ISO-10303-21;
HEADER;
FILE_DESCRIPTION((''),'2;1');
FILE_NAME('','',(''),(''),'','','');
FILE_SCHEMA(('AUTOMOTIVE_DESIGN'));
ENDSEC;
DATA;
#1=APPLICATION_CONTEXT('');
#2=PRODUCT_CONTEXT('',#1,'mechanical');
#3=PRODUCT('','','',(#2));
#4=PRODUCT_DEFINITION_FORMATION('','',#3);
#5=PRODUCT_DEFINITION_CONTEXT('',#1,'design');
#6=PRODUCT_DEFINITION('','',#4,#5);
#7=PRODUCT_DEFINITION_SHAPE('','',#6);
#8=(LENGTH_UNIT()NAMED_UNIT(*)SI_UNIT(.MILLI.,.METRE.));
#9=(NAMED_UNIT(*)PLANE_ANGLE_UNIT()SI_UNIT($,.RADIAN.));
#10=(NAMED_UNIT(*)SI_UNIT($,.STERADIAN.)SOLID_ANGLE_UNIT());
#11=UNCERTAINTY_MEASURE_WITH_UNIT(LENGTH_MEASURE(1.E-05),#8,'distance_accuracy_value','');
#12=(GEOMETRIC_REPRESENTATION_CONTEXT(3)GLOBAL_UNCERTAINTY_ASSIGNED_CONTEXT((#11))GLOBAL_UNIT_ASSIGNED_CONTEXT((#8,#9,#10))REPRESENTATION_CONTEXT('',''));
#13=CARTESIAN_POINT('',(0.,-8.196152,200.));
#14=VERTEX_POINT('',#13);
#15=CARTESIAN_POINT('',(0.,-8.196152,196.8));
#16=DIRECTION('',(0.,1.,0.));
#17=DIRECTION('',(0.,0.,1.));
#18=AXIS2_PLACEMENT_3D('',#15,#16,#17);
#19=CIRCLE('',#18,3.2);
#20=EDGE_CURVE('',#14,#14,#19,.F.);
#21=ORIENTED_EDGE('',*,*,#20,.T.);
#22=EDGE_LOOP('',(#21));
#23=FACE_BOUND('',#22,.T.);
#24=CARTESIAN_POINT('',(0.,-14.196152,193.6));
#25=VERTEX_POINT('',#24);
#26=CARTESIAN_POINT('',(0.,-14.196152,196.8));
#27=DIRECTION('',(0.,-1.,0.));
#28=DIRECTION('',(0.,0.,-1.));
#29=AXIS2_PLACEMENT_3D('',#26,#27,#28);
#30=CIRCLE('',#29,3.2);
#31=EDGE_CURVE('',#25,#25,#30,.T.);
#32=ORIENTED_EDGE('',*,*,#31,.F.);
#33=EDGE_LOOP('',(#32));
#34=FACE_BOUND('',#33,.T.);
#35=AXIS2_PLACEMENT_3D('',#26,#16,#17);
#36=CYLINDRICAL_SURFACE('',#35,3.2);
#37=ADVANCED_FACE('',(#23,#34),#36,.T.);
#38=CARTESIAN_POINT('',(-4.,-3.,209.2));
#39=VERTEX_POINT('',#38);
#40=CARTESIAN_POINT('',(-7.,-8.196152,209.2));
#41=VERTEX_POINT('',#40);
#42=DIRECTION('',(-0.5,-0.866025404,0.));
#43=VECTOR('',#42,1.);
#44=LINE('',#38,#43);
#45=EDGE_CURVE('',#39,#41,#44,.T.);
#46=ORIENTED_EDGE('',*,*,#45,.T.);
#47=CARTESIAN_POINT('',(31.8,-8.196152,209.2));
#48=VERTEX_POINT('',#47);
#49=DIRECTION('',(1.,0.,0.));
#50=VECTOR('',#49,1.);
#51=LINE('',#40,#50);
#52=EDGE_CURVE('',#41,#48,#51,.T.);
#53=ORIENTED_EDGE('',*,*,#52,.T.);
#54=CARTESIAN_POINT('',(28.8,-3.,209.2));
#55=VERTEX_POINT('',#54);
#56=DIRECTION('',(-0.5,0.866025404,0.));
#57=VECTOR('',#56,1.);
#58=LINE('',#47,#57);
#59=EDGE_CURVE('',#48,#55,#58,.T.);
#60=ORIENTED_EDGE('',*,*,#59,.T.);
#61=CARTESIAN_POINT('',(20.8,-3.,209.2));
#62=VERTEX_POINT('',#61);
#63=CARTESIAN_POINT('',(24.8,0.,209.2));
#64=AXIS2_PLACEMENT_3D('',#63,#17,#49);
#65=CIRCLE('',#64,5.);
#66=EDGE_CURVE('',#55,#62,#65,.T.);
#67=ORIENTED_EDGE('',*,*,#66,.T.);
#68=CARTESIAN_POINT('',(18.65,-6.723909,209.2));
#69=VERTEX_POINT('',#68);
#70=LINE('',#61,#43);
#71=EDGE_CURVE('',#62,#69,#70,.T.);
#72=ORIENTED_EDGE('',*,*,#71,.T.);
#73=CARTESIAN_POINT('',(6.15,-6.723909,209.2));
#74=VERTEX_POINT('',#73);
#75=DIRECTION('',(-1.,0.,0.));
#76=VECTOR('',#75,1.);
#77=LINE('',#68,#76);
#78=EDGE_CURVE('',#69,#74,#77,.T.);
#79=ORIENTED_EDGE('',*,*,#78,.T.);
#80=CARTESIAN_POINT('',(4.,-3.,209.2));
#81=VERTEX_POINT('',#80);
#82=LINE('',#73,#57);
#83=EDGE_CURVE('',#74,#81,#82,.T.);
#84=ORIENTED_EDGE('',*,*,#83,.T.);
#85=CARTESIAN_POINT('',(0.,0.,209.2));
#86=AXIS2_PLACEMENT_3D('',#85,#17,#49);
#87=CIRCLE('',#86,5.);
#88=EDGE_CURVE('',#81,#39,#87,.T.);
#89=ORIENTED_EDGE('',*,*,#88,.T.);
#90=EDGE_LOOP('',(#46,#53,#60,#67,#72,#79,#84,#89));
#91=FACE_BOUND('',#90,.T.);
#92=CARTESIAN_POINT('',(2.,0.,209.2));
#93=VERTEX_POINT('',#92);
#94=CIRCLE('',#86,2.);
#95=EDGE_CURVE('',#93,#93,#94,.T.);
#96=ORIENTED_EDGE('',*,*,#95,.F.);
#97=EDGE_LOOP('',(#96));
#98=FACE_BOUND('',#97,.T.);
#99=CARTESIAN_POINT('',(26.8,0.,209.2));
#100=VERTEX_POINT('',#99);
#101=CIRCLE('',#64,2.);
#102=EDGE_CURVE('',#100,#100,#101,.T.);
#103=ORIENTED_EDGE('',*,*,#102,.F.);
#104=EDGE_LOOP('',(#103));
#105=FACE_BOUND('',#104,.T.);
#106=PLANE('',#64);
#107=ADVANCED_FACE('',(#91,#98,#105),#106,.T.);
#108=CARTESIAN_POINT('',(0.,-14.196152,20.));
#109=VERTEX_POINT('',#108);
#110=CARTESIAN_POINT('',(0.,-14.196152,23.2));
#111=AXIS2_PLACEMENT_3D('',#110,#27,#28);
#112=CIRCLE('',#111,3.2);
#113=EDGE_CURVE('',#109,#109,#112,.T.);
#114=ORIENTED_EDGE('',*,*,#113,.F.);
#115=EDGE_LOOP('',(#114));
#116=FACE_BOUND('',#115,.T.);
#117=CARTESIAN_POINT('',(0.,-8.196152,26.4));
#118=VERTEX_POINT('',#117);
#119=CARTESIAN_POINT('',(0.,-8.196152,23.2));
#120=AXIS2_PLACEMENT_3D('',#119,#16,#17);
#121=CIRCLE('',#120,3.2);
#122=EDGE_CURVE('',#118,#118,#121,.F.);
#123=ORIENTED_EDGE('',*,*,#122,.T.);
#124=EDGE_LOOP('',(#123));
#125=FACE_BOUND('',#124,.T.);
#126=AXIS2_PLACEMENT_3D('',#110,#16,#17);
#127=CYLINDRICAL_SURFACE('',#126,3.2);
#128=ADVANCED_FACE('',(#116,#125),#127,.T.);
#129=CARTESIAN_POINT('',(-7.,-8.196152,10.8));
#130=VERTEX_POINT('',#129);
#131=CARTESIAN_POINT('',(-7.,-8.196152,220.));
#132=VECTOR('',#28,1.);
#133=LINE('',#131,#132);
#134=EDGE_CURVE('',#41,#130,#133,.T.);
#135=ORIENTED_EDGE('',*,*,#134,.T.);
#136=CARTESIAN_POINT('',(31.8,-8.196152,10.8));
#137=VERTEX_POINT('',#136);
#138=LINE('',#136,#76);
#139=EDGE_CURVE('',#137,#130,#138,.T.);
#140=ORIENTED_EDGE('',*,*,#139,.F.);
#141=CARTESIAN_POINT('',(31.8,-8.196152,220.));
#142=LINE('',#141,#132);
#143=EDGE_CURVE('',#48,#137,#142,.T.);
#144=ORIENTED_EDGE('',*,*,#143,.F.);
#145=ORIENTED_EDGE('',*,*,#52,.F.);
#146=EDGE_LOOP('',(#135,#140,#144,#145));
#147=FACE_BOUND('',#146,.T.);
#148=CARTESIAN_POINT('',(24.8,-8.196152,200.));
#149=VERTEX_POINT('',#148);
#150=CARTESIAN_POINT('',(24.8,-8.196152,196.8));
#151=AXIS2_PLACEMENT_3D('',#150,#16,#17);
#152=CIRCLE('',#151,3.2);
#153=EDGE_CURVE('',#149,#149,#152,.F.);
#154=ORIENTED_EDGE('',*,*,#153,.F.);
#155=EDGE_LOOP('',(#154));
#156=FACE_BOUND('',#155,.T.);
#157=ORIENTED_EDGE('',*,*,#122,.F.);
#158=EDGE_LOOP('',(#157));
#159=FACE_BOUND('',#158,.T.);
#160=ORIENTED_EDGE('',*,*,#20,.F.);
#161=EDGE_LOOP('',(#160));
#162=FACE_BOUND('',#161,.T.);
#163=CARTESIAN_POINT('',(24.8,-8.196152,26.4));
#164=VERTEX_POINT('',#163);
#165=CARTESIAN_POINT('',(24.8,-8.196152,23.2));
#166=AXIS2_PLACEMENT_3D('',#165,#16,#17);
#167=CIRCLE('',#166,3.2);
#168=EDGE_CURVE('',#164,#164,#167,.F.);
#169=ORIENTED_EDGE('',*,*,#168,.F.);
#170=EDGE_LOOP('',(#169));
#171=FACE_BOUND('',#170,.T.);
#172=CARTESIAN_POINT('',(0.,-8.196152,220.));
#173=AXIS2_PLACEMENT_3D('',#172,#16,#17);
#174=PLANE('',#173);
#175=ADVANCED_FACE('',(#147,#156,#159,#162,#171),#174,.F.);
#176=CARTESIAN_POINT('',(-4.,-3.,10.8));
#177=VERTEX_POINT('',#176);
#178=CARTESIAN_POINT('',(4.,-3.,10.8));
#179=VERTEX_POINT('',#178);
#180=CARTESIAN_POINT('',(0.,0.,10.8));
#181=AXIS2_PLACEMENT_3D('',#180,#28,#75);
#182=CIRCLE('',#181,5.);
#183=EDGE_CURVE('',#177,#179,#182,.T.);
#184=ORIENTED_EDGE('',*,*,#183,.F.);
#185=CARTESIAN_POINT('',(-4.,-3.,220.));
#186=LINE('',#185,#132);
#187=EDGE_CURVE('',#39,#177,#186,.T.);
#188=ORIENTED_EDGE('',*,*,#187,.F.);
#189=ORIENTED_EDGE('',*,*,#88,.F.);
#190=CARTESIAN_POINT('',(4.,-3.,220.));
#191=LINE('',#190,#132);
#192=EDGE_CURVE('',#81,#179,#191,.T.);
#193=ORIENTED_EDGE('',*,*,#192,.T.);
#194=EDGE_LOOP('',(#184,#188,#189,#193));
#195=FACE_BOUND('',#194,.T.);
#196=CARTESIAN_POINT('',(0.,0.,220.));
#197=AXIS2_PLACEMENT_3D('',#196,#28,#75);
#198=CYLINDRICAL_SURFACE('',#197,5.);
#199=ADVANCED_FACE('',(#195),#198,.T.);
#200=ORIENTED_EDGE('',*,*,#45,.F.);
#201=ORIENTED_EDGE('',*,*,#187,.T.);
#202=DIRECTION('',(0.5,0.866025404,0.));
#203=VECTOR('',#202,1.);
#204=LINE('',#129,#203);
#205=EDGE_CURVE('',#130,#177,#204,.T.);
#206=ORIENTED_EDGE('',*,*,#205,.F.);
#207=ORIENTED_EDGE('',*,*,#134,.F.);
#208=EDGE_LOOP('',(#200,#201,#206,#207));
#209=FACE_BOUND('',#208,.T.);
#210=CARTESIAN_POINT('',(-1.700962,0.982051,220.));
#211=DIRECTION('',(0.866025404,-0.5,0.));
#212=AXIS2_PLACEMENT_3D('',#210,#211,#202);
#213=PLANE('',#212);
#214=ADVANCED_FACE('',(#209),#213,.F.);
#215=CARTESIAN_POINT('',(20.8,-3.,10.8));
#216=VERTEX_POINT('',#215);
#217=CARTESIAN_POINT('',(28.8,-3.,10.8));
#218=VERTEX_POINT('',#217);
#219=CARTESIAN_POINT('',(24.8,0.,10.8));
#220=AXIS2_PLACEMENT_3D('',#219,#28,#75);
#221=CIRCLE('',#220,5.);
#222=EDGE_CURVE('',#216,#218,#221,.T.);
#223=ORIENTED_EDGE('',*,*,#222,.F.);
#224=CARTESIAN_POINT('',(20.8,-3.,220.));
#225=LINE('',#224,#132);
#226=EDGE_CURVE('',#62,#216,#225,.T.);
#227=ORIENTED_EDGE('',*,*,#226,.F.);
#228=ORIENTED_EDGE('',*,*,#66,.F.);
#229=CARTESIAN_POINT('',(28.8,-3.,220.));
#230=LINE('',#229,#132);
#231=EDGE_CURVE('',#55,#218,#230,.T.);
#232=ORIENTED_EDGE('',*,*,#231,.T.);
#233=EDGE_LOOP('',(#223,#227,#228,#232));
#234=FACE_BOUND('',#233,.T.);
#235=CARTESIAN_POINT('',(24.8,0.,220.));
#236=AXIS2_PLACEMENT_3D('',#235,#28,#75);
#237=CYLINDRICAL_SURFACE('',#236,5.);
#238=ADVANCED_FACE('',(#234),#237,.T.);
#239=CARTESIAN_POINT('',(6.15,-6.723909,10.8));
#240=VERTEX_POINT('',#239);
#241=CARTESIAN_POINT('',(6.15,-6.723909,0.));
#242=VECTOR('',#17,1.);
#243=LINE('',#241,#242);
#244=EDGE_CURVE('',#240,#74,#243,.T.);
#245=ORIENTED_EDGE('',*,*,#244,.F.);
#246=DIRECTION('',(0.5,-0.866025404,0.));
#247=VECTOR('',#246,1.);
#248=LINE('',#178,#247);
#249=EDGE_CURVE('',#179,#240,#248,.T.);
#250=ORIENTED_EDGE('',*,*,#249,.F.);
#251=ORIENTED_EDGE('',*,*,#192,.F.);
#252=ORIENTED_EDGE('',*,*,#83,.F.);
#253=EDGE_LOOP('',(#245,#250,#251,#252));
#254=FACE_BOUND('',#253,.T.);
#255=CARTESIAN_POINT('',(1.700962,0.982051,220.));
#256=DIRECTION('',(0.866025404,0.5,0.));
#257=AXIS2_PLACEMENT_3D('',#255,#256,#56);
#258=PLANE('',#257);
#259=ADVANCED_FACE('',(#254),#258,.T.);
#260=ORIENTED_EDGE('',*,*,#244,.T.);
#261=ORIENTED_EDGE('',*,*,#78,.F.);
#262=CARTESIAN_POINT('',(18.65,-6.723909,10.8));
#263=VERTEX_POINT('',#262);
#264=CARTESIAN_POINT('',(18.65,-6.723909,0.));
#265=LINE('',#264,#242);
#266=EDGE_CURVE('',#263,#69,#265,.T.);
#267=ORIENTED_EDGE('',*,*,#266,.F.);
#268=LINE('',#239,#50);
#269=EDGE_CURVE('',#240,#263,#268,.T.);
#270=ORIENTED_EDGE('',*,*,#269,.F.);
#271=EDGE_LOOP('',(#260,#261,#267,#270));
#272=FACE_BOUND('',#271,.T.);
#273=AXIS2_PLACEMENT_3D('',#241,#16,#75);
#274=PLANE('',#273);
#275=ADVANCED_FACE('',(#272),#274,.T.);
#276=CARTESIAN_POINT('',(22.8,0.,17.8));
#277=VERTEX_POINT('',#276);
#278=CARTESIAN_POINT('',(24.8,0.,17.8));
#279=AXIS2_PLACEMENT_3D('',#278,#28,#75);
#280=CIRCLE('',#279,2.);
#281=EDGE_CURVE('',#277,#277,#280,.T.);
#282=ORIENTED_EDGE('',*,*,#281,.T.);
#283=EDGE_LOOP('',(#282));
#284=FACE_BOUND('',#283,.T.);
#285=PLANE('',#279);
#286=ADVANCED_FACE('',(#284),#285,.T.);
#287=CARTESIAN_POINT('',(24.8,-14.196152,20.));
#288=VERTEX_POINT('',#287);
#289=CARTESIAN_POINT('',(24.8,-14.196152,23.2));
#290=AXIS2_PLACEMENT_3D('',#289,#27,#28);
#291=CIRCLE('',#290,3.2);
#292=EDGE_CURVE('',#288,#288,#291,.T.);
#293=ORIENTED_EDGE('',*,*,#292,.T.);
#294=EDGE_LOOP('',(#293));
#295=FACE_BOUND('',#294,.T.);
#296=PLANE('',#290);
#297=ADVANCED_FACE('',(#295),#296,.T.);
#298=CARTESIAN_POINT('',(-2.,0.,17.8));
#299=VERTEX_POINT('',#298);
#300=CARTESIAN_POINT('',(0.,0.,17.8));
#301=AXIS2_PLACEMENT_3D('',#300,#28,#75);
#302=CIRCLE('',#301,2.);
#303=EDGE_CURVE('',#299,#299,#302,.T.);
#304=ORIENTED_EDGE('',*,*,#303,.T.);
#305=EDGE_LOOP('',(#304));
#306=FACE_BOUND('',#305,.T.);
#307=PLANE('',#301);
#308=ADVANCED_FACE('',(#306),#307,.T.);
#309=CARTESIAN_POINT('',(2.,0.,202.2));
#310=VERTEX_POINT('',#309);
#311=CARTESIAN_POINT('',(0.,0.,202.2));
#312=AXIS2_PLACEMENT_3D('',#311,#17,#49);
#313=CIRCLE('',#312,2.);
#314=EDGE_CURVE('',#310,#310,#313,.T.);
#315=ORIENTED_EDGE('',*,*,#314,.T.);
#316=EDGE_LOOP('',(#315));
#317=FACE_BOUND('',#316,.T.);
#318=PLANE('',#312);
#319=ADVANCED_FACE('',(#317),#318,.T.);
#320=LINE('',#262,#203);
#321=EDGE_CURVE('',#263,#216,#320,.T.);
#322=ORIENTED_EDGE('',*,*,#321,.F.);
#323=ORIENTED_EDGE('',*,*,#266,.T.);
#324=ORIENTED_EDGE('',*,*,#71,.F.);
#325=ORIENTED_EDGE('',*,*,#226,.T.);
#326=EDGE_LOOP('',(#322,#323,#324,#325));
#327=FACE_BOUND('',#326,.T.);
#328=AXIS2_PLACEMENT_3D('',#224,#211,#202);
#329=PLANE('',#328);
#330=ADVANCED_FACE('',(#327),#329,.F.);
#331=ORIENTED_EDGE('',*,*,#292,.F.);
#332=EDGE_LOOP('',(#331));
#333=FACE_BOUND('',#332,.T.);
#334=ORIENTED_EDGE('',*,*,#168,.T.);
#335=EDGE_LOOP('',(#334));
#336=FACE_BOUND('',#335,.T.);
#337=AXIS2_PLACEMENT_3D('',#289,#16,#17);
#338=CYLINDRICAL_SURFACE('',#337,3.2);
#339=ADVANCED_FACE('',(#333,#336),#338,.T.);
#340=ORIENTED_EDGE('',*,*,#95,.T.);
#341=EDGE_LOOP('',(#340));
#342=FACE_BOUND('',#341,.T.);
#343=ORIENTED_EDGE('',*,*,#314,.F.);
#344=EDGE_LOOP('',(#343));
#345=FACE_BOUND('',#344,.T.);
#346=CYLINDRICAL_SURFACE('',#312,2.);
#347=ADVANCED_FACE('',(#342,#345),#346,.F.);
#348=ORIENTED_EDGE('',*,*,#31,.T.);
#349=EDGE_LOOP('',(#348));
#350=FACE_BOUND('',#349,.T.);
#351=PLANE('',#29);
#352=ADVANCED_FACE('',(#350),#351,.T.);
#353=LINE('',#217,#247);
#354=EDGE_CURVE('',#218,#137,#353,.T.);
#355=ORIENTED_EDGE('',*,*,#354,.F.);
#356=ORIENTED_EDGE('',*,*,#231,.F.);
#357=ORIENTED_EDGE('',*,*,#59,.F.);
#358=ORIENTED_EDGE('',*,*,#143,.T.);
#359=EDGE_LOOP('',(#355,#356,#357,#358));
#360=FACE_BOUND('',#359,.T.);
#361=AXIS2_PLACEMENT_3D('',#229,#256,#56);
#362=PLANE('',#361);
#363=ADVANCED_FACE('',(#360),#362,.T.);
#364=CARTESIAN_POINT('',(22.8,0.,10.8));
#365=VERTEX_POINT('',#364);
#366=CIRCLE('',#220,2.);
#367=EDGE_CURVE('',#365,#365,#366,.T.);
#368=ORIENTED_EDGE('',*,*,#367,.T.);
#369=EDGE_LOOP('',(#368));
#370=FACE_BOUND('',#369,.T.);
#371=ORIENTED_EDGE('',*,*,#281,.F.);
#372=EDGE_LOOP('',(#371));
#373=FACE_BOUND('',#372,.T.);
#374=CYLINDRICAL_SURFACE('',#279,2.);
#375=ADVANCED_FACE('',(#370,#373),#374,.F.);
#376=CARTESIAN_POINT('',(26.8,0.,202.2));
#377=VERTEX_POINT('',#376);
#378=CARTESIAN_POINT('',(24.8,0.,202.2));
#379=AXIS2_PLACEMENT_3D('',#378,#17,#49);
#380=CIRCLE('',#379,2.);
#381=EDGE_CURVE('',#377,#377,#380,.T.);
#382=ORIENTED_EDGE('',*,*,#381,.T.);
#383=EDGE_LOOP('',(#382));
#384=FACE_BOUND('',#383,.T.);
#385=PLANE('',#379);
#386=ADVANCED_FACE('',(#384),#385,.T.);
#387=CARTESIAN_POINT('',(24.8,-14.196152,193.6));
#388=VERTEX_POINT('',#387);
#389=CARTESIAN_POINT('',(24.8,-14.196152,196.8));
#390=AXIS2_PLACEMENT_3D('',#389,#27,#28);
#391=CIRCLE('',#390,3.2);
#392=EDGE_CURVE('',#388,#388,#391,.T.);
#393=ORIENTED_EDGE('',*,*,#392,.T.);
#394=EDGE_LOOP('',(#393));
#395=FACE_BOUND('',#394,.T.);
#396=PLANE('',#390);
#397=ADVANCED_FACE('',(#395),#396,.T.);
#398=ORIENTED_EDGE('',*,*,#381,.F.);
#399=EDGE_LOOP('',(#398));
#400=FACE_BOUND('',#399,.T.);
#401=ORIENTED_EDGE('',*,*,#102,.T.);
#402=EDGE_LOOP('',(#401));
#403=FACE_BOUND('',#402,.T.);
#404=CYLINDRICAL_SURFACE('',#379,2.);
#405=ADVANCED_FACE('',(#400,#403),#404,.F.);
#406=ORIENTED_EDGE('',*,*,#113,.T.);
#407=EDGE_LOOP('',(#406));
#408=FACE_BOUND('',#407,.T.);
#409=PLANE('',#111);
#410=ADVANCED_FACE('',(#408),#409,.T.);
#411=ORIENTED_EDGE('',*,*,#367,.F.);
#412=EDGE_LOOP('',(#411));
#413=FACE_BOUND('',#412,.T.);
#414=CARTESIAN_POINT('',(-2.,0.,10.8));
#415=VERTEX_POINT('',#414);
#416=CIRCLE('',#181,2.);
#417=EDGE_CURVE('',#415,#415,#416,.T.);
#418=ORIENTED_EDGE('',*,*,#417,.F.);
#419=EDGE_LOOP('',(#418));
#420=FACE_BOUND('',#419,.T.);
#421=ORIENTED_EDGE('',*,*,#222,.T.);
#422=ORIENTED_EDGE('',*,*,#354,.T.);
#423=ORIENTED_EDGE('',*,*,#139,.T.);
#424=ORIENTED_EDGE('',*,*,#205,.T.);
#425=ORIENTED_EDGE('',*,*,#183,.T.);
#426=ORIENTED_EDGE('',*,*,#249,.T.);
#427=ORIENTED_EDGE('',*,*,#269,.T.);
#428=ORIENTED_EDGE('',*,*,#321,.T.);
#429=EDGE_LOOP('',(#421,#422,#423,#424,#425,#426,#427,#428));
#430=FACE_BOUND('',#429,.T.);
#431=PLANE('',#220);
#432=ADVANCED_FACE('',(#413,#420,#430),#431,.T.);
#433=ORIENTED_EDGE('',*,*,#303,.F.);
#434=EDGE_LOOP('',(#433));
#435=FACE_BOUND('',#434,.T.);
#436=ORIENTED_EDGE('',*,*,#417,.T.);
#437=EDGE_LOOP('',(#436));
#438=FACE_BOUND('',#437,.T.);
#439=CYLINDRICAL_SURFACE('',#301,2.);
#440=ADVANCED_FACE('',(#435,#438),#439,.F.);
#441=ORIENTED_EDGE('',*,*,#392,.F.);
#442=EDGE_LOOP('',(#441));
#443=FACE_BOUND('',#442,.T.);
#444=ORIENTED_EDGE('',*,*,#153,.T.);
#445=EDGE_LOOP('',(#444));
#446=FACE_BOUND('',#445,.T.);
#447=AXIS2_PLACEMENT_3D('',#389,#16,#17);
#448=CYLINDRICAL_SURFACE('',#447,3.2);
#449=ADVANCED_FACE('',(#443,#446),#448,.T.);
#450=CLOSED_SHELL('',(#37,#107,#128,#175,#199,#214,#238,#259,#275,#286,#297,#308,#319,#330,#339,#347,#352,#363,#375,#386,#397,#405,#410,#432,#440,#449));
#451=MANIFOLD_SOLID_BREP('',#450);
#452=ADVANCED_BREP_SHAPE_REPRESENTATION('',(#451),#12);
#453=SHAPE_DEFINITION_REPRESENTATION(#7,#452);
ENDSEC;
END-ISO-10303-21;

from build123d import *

# Parameters (mm, degrees)
SKETCH1_R           = 5
BOSS_EXTRUDE1_DEPTH = 220
SKETCH4_R           = 3.2
BOSS_EXTRUDE3_DEPTH = 6
BOSS_EXTRUDE4_DEPTH = 220
SKETCH5_R           = 1.37
CUT_EXTRUDE1_DEPTH  = 7
SKETCH6_R           = 1.37
CUT_EXTRUDE2_DEPTH  = 7
SKETCH7_R           = 3.2
CUT_EXTRUDE3_DEPTH  = 6
CUT_EXTRUDE4_DEPTH  = 10.8
CUT_EXTRUDE5_DEPTH  = 10.8
SKETCH11_R          = 2
CUT_EXTRUDE6_DEPTH  = 7
SKETCH12_R          = 2
CUT_EXTRUDE7_DEPTH  = 7


with BuildPart() as part:
    # Sketch1 → Boss-Extrude1 (new body)
    with BuildSketch(Plane.XY):
        Circle(SKETCH1_R)
        with BuildLine():
            Line((-4, -3), (-7, -8.196152423))
            Line((-7, -8.196152423), (7, -8.196152423))
            Line((7, -8.196152423), (4, -3))
            ThreePointArc((4, -3), (0, 5), (-4, -3))
        make_face()
        with BuildLine():
            Line((28.8, -3), (31.8, -8.196152423))
            Line((31.8, -8.196152423), (17.8, -8.196152423))
            Line((17.8, -8.196152423), (20.8, -3))
            ThreePointArc((20.8, -3), (24.8, 5), (28.8, -3))
        make_face()
    extrude(amount=BOSS_EXTRUDE1_DEPTH)

    # Sketch4 → Boss-Extrude3 (add)
    with BuildSketch(Plane.XZ.offset(8.196152423)):
        with Locations((0, 196.8)):
            Circle(SKETCH4_R)
        with Locations((24.8, 196.8)):
            Circle(SKETCH4_R)
        with Locations((24.8, 172)):
            Circle(SKETCH4_R)
        with Locations((24.8, 147.2)):
            Circle(SKETCH4_R)
        with Locations((24.8, 122.4)):
            Circle(SKETCH4_R)
        with Locations((24.8, 97.6)):
            Circle(SKETCH4_R)
        with Locations((24.8, 72.8)):
            Circle(SKETCH4_R)
        with Locations((24.8, 48)):
            Circle(SKETCH4_R)
        with Locations((24.8, 23.2)):
            Circle(SKETCH4_R)
        with Locations((0, 172)):
            Circle(SKETCH4_R)
        with Locations((0, 147.2)):
            Circle(SKETCH4_R)
        with Locations((0, 122.4)):
            Circle(SKETCH4_R)
        with Locations((0, 97.6)):
            Circle(SKETCH4_R)
        with Locations((0, 72.8)):
            Circle(SKETCH4_R)
        with Locations((0, 48)):
            Circle(SKETCH4_R)
        with Locations((0, 23.2)):
            Circle(SKETCH4_R)
    extrude(amount=BOSS_EXTRUDE3_DEPTH)

    # Sketch3 → Boss-Extrude4 (add)
    with BuildSketch(Plane.XY.offset(220)):
        Polygon((7, -8.196152423), (17.8, -8.196152423), (18.65, -8.196152423), (18.65, -6.723909236), (6.15, -6.723909236), (6.15, -8.196152423), align=None)
    extrude(amount=-BOSS_EXTRUDE4_DEPTH)

    # Sketch5 → Cut-Extrude1 (cut)
    with BuildSketch(Plane(origin=(0, 0, 0), x_dir=(-1, 0, 0), z_dir=(0, 0, -1))):
        Circle(SKETCH5_R)
        with Locations((-24.8, 0)):
            Circle(SKETCH5_R)
    extrude(amount=-CUT_EXTRUDE1_DEPTH, mode=Mode.SUBTRACT)

    # Sketch6 → Cut-Extrude2 (cut)
    with BuildSketch(Plane.XY.offset(220)):
        Circle(SKETCH6_R)
        with Locations((24.8, 0)):
            Circle(SKETCH6_R)
    extrude(amount=-CUT_EXTRUDE2_DEPTH, mode=Mode.SUBTRACT)

    # Sketch7 → Cut-Extrude3 (cut)
    with BuildSketch(Plane.XZ.offset(14.196152423)):
        with Locations((0, 172)):
            Circle(SKETCH7_R)
        with Locations((24.8, 172)):
            Circle(SKETCH7_R)
        with Locations((24.8, 147.2)):
            Circle(SKETCH7_R)
        with Locations((24.8, 122.4)):
            Circle(SKETCH7_R)
        with Locations((24.8, 97.6)):
            Circle(SKETCH7_R)
        with Locations((24.8, 72.8)):
            Circle(SKETCH7_R)
        with Locations((24.8, 48)):
            Circle(SKETCH7_R)
        with Locations((0, 147.2)):
            Circle(SKETCH7_R)
        with Locations((0, 122.4)):
            Circle(SKETCH7_R)
        with Locations((0, 97.6)):
            Circle(SKETCH7_R)
        with Locations((0, 72.8)):
            Circle(SKETCH7_R)
        with Locations((0, 48)):
            Circle(SKETCH7_R)
    extrude(amount=-CUT_EXTRUDE3_DEPTH, mode=Mode.SUBTRACT)

    # Sketch9 → Cut-Extrude4 (cut)
    with BuildSketch(Plane(origin=(0, 0, 0), x_dir=(-1, 0, 0), z_dir=(0, 0, -1))):
        with BuildLine():
            Line((-28.8, -3), (-31.8, -8.196152423))
            Line((-31.8, -8.196152423), (7, -8.196152423))
            Line((7, -8.196152423), (4, -3))
            ThreePointArc((4, -3), (0, 5), (-4, -3))
            Line((-4, -3), (-6.15, -6.723909236))
            Line((-6.15, -6.723909236), (-18.65, -6.723909236))
            Line((-18.65, -6.723909236), (-20.8, -3))
            ThreePointArc((-20.8, -3), (-24.8, 5), (-28.8, -3))
        make_face()
    extrude(amount=-CUT_EXTRUDE4_DEPTH, mode=Mode.SUBTRACT)

    # Sketch10 → Cut-Extrude5 (cut)
    with BuildSketch(Plane.XY.offset(220)):
        with BuildLine():
            Line((20.8, -3), (18.65, -6.723909236))
            Line((18.65, -6.723909236), (6.15, -6.723909236))
            Line((6.15, -6.723909236), (4, -3))
            ThreePointArc((4, -3), (0, 5), (-4, -3))
            Line((-4, -3), (-7, -8.196152423))
            Line((-7, -8.196152423), (31.8, -8.196152423))
            Line((31.8, -8.196152423), (28.8, -3))
            ThreePointArc((28.8, -3), (24.8, 5), (20.8, -3))
        make_face()
    extrude(amount=-CUT_EXTRUDE5_DEPTH, mode=Mode.SUBTRACT)

    # Sketch11 → Cut-Extrude6 (cut)
    with BuildSketch(Plane.XY.offset(209.2)):
        Circle(SKETCH11_R)
        with Locations((24.8, 0)):
            Circle(SKETCH11_R)
    extrude(amount=-CUT_EXTRUDE6_DEPTH, mode=Mode.SUBTRACT)

    # Sketch12 → Cut-Extrude7 (cut)
    with BuildSketch(Plane(origin=(0, 0, 10.8), x_dir=(-1, 0, 0), z_dir=(0, 0, -1))):
        Circle(SKETCH12_R)
        with Locations((-24.8, 0)):
            Circle(SKETCH12_R)
    extrude(amount=-CUT_EXTRUDE7_DEPTH, mode=Mode.SUBTRACT)


solid = part.part
